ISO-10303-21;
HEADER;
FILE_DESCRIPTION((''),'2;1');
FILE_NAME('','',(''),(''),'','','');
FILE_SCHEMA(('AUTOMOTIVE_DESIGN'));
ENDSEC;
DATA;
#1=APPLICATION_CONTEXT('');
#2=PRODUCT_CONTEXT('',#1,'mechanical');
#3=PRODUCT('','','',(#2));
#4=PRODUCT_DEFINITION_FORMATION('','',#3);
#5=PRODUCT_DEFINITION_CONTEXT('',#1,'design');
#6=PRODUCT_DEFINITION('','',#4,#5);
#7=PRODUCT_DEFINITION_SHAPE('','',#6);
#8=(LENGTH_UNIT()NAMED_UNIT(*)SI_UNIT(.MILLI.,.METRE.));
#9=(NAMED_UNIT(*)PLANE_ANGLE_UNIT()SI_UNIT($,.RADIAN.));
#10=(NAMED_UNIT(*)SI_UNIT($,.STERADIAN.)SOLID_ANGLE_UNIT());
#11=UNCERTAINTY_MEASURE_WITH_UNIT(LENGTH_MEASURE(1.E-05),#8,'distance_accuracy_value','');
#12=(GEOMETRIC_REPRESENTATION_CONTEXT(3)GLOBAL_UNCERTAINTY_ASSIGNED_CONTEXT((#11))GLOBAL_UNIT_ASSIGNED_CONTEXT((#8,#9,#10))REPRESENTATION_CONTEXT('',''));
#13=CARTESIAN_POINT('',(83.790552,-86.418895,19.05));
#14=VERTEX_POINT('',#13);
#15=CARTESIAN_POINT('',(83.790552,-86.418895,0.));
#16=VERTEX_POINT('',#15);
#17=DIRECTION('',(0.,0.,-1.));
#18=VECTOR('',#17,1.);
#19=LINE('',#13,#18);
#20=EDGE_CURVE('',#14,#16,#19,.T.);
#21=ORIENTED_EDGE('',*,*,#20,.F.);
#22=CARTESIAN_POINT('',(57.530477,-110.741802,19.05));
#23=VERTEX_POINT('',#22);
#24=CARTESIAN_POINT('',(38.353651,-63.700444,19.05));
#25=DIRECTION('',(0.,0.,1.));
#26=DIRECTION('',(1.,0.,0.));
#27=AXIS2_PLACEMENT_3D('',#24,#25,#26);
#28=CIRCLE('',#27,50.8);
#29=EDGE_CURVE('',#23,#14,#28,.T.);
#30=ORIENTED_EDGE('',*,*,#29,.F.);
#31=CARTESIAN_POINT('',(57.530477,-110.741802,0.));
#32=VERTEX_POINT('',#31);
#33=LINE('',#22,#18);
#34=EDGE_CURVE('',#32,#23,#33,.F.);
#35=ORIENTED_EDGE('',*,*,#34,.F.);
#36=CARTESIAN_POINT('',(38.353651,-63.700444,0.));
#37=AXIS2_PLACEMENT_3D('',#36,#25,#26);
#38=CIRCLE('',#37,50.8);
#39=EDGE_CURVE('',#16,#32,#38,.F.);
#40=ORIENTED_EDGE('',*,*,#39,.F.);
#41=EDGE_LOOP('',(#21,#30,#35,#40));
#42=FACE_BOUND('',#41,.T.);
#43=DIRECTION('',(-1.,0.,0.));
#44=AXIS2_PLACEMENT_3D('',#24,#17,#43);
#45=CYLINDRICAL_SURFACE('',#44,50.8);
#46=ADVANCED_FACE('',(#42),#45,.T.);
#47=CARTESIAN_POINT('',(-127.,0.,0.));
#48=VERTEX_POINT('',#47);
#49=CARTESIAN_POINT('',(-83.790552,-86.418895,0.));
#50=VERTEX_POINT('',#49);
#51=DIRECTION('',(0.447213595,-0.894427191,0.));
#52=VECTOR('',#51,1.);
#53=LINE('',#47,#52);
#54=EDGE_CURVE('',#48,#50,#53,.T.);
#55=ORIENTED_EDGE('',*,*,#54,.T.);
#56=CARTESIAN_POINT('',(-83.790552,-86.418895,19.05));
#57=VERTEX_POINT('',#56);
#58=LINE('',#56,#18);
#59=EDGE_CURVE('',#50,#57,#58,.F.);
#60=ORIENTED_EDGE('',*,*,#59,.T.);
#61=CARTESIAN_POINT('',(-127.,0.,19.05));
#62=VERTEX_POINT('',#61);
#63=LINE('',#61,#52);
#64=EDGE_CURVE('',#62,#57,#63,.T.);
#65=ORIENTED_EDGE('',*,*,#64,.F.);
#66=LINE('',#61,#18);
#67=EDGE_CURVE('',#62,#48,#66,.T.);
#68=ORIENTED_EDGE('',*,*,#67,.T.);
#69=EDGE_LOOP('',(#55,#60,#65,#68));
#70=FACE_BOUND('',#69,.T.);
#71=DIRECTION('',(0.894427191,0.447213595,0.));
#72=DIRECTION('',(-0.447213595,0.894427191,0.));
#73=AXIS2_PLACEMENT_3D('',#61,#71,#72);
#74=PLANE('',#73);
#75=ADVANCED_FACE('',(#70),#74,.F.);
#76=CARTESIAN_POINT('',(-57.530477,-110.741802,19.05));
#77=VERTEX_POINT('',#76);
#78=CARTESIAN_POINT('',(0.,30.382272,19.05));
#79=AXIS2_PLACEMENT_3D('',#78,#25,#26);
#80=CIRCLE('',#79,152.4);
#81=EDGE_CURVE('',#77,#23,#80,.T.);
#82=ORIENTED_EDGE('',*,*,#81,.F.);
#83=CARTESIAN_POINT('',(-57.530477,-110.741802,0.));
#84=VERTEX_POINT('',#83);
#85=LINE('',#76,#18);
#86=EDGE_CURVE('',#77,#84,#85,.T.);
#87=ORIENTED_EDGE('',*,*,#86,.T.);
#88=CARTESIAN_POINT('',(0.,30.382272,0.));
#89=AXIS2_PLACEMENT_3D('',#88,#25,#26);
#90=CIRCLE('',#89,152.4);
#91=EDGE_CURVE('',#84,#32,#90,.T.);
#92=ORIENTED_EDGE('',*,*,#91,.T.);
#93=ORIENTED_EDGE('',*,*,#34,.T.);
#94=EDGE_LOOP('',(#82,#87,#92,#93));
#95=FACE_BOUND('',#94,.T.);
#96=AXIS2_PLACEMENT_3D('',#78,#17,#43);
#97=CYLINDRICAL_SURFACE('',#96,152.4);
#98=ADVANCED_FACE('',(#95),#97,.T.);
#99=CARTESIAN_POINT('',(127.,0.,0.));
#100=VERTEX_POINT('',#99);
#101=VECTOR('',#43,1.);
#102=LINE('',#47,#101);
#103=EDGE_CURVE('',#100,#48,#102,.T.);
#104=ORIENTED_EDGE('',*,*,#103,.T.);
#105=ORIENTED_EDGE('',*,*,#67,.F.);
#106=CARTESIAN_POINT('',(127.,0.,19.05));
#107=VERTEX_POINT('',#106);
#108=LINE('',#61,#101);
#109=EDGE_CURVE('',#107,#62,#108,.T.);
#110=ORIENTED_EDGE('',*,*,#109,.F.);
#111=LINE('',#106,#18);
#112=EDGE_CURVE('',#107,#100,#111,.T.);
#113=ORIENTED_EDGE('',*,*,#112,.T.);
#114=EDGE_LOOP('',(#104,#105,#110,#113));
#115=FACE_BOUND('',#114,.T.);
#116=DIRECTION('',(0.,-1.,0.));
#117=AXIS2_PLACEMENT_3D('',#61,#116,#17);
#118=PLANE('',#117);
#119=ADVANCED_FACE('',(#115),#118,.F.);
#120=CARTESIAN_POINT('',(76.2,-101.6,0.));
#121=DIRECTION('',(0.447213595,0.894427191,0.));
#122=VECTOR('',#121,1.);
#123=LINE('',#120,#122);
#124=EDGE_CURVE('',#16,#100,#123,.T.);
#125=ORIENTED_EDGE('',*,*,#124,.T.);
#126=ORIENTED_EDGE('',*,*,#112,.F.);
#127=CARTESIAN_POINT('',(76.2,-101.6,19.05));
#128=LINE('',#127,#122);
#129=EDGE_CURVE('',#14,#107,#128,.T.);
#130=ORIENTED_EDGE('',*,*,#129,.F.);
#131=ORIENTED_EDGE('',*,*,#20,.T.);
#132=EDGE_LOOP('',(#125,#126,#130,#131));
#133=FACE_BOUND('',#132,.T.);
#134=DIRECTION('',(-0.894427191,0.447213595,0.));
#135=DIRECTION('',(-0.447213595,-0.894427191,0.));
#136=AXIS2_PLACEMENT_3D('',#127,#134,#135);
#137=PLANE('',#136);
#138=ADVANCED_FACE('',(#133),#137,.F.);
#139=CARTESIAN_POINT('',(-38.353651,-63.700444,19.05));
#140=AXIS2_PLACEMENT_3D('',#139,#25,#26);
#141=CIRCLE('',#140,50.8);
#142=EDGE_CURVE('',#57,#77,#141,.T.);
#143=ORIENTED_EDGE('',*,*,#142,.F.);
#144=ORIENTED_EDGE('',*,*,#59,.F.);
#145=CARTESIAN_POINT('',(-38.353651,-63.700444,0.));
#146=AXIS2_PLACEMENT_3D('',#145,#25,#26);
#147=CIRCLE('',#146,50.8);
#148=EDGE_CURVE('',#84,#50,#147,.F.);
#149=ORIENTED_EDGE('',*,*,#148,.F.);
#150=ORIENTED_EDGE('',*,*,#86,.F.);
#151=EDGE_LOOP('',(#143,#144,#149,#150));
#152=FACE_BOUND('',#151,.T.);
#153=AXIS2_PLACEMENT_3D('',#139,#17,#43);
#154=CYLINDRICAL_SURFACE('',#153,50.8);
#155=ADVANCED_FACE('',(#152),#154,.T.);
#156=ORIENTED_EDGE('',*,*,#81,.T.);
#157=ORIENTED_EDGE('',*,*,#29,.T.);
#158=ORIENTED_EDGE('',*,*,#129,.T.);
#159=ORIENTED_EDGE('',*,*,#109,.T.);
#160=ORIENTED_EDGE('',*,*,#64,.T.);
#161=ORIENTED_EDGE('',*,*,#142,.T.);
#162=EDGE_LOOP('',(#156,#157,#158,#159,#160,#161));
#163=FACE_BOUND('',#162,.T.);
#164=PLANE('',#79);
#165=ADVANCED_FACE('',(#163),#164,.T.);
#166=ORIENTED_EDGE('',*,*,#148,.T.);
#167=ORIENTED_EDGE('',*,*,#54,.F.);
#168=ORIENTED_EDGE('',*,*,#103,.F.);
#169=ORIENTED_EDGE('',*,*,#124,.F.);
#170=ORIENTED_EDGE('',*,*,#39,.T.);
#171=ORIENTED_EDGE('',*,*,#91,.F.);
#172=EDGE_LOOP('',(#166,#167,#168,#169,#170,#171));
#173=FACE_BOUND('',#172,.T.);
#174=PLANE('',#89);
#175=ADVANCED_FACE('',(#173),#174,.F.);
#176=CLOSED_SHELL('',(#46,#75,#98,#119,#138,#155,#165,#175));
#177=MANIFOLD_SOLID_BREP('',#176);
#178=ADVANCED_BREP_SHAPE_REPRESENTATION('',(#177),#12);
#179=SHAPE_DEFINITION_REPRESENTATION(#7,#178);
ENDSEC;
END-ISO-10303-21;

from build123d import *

# Parameters (mm, degrees)
BOSS_EXTRUDE1_DEPTH = 19.05
FILLET1_R           = 50.8


with BuildPart() as part:
    # Sketch1 → Boss-Extrude1 (new body)
    with BuildSketch(Plane.XY):
        with BuildLine():
            Line((-127, 0), (127, 0))
            Line((127, 0), (76.2, -101.6))
            ThreePointArc((76.2, -101.6), (0, -122.017728463), (-76.2, -101.6))
            Line((-76.2, -101.6), (-127, 0))
        make_face()
    extrude(amount=BOSS_EXTRUDE1_DEPTH)

    # Fillet1
    fillet1_edges = [part.edges().sort_by_distance(p)[0] for p in [
        (76.2, -101.6, 9.525),
        (-76.2, -101.6, 9.525),
    ]]
    fillet(fillet1_edges, radius=FILLET1_R)


solid = part.part
